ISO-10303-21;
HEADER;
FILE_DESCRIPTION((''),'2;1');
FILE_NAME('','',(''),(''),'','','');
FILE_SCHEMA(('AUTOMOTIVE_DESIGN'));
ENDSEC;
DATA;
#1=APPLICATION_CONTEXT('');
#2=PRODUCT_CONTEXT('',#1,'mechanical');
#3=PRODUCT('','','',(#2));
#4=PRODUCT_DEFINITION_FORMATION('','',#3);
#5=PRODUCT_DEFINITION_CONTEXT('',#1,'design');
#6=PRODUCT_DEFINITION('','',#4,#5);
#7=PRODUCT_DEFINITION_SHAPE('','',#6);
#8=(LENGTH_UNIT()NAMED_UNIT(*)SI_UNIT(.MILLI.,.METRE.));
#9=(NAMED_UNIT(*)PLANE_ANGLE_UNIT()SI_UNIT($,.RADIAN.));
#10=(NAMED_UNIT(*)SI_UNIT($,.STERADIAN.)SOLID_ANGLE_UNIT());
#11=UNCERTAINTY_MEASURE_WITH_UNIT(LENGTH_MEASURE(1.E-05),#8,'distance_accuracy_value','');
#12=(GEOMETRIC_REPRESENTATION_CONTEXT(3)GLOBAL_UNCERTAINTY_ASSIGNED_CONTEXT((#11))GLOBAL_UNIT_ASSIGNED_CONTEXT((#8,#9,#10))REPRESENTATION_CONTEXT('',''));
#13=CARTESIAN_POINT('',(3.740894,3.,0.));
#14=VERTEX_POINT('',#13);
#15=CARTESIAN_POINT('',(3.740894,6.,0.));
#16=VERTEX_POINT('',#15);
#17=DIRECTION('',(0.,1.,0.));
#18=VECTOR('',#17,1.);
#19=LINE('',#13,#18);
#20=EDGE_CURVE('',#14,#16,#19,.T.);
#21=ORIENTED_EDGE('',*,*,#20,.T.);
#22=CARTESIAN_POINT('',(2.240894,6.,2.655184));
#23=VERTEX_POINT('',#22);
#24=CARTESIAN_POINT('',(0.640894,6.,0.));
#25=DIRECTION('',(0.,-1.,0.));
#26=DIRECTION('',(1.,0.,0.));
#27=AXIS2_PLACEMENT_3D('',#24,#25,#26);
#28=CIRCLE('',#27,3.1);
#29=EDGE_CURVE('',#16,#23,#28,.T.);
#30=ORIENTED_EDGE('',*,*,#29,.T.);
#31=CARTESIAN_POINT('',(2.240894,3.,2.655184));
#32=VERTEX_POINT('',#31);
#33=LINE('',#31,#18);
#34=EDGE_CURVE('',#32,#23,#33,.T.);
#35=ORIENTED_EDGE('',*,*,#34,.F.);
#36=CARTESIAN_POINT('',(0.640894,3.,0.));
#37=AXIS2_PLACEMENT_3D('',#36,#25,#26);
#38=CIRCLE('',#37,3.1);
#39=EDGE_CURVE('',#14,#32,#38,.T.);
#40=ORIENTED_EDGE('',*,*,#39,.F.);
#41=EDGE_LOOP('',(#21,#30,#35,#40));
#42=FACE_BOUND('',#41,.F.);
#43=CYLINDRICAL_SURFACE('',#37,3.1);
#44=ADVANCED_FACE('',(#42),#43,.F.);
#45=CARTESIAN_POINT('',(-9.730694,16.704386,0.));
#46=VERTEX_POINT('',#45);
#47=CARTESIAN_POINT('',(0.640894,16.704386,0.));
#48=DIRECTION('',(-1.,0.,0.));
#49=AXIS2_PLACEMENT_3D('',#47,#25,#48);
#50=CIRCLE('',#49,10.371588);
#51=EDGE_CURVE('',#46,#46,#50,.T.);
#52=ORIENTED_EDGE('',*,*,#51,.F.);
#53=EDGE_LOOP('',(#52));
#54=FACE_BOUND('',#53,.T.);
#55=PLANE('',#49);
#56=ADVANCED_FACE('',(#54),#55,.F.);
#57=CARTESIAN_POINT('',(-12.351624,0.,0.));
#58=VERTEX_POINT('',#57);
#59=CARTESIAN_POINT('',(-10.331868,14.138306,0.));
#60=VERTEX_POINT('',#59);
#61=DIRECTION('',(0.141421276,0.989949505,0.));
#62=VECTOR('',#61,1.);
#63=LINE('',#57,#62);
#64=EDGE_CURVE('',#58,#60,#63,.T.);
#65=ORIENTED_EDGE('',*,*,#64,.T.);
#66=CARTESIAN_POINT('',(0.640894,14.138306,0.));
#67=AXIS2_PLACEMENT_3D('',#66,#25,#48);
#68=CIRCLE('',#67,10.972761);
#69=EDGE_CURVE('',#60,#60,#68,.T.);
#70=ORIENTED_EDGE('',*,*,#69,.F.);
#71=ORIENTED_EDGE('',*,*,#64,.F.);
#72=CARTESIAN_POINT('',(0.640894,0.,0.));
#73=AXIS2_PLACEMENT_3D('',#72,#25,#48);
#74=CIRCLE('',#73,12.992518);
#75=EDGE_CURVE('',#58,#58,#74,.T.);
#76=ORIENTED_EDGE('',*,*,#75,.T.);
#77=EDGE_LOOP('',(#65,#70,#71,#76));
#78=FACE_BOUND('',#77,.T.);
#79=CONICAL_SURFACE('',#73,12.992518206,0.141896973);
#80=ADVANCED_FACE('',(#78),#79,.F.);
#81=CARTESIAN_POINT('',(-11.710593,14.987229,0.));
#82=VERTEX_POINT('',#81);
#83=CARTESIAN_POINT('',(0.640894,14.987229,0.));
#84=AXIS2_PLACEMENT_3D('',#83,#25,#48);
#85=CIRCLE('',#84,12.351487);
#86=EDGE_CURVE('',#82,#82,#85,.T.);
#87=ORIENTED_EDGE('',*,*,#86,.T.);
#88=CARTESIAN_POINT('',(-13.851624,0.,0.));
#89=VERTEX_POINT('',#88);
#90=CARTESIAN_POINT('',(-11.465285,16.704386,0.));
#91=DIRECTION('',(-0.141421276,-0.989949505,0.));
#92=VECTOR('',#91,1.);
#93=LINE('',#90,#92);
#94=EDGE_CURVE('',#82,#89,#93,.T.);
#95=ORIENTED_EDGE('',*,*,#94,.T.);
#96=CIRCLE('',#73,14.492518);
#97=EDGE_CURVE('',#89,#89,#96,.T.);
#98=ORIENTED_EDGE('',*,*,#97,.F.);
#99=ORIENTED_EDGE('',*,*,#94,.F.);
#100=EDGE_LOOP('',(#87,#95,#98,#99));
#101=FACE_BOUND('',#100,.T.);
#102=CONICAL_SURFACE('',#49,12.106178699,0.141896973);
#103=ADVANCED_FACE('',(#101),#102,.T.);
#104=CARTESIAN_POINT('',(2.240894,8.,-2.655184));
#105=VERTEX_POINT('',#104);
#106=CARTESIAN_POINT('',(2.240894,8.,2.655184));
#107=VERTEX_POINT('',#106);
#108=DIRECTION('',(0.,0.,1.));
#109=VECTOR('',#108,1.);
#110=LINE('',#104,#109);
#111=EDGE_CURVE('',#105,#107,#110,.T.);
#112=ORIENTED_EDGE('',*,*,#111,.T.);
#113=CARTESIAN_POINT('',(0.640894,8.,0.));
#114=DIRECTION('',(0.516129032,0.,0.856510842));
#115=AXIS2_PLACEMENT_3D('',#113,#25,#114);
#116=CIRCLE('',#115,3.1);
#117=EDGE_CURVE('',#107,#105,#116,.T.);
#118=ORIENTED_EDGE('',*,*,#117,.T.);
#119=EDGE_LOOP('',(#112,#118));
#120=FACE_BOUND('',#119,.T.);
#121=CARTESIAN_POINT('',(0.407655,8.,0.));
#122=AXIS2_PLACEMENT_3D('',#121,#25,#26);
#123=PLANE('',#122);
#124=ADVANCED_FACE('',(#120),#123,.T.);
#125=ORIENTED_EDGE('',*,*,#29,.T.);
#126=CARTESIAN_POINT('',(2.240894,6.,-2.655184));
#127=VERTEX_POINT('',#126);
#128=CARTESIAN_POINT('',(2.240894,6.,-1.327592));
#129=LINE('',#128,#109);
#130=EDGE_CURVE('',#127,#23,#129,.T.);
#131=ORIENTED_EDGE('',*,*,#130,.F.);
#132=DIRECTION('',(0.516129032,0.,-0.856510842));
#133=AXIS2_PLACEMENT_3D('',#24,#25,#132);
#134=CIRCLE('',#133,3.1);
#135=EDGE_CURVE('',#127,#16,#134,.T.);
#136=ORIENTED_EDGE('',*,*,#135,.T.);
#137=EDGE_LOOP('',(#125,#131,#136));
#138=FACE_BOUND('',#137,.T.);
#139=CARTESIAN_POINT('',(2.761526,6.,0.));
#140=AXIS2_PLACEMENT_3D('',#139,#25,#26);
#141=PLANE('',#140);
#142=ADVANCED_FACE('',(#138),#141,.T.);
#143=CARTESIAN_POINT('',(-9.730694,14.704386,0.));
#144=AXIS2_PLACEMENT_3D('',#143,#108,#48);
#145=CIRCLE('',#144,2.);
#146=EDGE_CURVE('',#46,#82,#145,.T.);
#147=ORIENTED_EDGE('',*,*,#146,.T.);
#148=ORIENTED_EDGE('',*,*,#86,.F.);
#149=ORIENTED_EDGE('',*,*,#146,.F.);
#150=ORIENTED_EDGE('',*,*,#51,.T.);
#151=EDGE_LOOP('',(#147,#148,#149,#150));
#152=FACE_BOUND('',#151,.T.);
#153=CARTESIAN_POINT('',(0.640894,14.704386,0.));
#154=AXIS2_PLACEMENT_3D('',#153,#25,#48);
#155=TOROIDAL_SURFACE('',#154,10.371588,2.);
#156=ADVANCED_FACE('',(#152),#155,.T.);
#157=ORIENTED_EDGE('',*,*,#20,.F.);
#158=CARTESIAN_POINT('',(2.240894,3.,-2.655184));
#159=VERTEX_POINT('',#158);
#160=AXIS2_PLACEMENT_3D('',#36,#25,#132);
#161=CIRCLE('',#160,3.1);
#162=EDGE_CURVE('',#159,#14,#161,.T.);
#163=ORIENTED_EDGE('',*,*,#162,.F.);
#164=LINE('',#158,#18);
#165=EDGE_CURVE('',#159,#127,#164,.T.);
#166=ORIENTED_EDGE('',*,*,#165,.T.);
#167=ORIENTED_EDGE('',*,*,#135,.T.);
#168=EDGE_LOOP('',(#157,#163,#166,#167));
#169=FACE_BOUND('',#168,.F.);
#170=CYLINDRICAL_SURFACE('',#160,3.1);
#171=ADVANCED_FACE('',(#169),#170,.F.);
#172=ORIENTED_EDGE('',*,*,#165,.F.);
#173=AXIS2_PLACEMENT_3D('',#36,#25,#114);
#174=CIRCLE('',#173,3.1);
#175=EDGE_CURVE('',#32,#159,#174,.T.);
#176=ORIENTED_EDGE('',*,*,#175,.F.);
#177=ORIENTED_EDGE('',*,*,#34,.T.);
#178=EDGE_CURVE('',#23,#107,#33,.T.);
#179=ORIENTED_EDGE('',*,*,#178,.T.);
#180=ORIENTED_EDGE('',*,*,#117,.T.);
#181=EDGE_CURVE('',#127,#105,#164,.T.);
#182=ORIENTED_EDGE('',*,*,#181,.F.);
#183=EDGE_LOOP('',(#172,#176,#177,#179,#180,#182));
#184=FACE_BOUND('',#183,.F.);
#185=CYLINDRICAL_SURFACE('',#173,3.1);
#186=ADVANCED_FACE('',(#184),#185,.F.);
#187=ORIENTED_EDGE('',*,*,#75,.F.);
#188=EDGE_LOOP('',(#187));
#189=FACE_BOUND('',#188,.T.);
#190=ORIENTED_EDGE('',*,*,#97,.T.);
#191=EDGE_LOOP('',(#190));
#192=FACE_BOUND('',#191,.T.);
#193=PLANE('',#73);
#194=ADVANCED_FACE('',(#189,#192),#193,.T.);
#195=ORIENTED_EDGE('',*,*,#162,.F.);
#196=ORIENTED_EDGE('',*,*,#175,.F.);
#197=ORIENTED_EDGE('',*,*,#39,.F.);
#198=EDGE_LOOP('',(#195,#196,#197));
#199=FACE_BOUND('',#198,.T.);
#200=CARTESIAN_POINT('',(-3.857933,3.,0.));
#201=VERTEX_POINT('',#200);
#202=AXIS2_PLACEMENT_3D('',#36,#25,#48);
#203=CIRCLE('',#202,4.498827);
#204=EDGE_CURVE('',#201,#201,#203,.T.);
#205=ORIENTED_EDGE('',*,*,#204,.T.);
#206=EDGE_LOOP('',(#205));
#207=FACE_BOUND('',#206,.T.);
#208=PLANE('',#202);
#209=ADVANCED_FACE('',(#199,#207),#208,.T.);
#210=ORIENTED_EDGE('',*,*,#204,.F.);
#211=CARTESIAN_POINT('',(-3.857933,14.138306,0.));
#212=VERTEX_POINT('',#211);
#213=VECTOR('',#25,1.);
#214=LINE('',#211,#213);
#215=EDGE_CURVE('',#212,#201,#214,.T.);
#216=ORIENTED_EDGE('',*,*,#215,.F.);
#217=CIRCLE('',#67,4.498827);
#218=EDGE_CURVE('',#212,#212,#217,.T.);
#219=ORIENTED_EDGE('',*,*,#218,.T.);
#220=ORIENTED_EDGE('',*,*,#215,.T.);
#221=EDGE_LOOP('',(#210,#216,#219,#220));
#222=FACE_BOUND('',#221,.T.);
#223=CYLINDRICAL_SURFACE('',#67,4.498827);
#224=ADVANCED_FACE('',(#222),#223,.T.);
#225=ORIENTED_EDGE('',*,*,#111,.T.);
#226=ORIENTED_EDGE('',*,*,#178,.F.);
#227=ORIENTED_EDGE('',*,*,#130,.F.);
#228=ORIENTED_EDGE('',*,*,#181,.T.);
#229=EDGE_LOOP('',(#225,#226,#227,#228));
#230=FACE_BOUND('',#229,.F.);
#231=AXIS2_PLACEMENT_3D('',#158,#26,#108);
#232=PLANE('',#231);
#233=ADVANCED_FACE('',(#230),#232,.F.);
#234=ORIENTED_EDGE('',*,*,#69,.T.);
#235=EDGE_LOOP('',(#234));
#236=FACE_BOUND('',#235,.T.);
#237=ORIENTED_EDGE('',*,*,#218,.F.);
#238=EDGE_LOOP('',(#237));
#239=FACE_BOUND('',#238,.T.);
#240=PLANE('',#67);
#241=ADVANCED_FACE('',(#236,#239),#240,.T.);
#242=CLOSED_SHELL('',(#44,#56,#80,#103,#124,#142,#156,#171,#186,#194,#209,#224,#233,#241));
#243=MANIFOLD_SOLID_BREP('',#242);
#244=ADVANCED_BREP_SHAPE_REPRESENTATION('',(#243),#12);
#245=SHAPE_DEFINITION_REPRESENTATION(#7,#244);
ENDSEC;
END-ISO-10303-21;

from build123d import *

# Parameters (mm, degrees)
F2_R     = 2
F4_DEPTH = 3
F5_DEPTH = 5


with BuildPart() as f1:
    # F0 (on Top) → F1 (revolve)
    with BuildSketch(Plane.XY):
        Polygon((0.6408938694, 3), (0.6408938694, 16.7043862722), (-11.46528483, 16.7043862722), (-13.8516243371, 0), (-12.3516243371, 0), (-10.3318675491, 14.1383057447), (-3.8579331173, 14.1383057447), (-3.8579331173, 3), align=None)
    revolve(axis=Axis((0.6408938694, 3.1900271702, 0), (0, -1, 0)))

    # F2
    f2_edges = [f1.edges().sort_by_distance(p)[0] for p in [
        (12.747073, 16.704386, 0),
    ]]
    fillet(f2_edges, radius=F2_R)

    # F3 (on face) → F4 (cut)
    with BuildSketch(Plane.XZ.offset(-3)):
        with BuildLine():
            ThreePointArc((2.2408938694, -2.6551836095), (3.3399677847, -1.5247950682), (3.7408938694, 0))
            ThreePointArc((3.7408938694, 0), (3.3399677847, 1.5247950682), (2.2408938694, 2.6551836095))
            Line((2.2408938694, 2.6551836095), (2.2408938694, -2.6551836095))
        make_face()
        with BuildLine():
            Line((2.2408938694, -2.6551836095), (2.2408938694, 2.6551836095))
            ThreePointArc((2.2408938694, 2.6551836095), (-2.4591061306, 0), (2.2408938694, -2.6551836095))
        make_face()
    extrude(amount=-F4_DEPTH, mode=Mode.SUBTRACT)

    # F3 (on face) → F5 (cut)
    with BuildSketch(Plane.XZ.offset(-3)):
        with BuildLine():
            Line((2.2408938694, -2.6551836095), (2.2408938694, 2.6551836095))
            ThreePointArc((2.2408938694, 2.6551836095), (-2.4591061306, 0), (2.2408938694, -2.6551836095))
        make_face()
    extrude(amount=-F5_DEPTH, mode=Mode.SUBTRACT)


solid = f1.part
